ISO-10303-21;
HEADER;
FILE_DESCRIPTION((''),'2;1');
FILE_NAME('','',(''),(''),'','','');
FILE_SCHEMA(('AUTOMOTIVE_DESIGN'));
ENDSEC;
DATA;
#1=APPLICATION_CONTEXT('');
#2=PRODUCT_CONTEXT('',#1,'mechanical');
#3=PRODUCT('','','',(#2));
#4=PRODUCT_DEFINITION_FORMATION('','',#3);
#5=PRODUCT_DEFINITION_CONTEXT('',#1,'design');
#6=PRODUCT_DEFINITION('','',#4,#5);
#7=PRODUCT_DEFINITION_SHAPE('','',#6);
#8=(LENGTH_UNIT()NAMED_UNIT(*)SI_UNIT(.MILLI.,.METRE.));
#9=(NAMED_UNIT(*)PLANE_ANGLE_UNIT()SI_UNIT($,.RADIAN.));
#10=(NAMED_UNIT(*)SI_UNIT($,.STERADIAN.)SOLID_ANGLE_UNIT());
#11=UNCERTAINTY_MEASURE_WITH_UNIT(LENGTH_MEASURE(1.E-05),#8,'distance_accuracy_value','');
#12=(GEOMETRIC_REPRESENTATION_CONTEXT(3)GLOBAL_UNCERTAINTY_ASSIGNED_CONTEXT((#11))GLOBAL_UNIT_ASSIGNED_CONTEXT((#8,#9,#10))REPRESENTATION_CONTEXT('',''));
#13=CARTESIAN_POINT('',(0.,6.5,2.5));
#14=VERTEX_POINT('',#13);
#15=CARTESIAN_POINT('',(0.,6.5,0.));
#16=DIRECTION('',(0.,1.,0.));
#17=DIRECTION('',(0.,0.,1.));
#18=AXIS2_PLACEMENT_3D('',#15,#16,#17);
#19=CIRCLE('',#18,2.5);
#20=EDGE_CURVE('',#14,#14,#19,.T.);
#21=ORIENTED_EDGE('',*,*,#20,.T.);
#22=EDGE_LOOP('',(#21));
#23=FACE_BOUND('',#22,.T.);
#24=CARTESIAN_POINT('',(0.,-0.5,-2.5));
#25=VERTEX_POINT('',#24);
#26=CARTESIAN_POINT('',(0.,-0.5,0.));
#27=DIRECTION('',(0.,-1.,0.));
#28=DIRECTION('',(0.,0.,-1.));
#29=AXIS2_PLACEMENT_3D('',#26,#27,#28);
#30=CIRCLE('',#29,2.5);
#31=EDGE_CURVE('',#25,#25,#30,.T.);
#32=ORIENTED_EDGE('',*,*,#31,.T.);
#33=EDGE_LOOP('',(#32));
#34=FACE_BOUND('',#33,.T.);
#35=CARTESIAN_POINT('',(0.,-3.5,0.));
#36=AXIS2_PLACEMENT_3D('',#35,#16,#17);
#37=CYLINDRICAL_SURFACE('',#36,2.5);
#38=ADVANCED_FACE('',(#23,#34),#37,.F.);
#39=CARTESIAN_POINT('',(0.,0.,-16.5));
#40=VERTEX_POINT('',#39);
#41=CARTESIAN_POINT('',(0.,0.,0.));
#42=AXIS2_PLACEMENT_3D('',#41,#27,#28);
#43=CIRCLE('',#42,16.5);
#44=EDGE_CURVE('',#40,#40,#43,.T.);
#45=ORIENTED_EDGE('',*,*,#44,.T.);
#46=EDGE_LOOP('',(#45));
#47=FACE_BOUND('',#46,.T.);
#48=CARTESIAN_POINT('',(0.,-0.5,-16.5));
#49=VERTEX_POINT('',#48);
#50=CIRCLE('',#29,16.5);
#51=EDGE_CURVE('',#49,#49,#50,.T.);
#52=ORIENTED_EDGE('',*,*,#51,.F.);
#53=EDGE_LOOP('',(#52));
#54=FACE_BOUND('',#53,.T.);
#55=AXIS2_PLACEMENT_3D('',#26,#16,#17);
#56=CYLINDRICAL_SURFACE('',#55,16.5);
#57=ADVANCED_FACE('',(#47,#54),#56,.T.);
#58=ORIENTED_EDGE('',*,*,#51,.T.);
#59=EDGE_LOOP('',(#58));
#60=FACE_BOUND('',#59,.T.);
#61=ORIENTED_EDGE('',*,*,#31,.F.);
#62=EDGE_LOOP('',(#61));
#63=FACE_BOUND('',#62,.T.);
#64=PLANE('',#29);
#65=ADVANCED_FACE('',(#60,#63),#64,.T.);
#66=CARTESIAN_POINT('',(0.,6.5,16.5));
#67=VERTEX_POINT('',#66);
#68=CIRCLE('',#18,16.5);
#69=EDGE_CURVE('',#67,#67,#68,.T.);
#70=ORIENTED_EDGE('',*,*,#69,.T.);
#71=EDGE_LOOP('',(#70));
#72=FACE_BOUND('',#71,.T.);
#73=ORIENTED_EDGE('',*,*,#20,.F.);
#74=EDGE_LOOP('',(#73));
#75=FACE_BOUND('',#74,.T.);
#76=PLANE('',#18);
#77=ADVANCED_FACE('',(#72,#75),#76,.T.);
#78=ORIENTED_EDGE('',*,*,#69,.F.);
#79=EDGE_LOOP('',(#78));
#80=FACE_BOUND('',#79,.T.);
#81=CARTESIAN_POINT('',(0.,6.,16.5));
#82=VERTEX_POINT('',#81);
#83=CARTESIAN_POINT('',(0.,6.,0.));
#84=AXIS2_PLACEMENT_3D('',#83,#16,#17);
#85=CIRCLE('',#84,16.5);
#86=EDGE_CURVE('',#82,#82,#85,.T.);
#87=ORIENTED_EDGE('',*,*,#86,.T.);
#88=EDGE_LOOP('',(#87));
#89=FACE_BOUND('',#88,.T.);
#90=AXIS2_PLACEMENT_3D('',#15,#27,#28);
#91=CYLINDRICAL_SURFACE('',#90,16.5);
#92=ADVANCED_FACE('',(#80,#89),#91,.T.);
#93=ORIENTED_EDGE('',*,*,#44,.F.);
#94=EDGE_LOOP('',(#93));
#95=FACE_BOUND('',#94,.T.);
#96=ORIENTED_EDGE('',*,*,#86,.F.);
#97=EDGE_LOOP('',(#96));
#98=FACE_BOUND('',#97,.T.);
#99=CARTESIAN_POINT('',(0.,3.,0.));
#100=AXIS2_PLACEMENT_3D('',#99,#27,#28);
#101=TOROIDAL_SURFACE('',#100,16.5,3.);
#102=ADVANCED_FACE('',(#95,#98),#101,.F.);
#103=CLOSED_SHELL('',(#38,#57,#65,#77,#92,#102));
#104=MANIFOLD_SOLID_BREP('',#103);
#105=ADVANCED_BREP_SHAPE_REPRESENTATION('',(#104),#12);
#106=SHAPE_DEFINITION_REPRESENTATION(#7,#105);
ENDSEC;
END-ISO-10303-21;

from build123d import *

# Parameters (mm, degrees)
SKETCH2_R           = 16.5
BOSS_EXTRUDE1_DEPTH = 0.5
BOSS_EXTRUDE2_START = 0.5
SKETCH3_R           = 16.5
BOSS_EXTRUDE2_DEPTH = 0.5
SKETCH4_R           = 1
CUT_EXTRUDE1_DEPTH  = 7
SKETCH5_R           = 2.5
CUT_EXTRUDE2_DEPTH  = 10


with BuildPart() as part:
    # Sketch1 → Revolve1 (revolve)
    with BuildSketch(Plane.XY, mode=Mode.PRIVATE) as revolve1_sk:
        Polygon((0, 6), (0, 0), (13.5, 0), (13.5, 3), (13.5, 6), align=None)
        with BuildLine():
            Line((13.5, 6), (13.5, 3))
            ThreePointArc((13.5, 3), (14.378679656, 5.121320344), (16.5, 6))
            Line((16.5, 6), (13.5, 6))
        make_face()
        with BuildLine():
            Line((13.5, 3), (13.5, 0))
            Line((13.5, 0), (16.5, 0))
            ThreePointArc((16.5, 0), (14.378679656, 0.878679656), (13.5, 3))
        make_face()
    revolve(revolve1_sk.sketch.rotate(Axis((0, 0, 0), (0, 1, 0)), 90), axis=Axis((0, 0, 0), (0, 1, 0)))

    # Sketch2 → Boss-Extrude1 (add)
    with BuildSketch(Plane(origin=(0, 6, 0), x_dir=(1, 0, 0), z_dir=(0, 1, 0))):
        with Locations(Location((0, 0, 0), (0, 0, 270))):
            Circle(SKETCH2_R)
    extrude(amount=BOSS_EXTRUDE1_DEPTH)

    # Sketch3 → Boss-Extrude2 (add)
    with BuildSketch(Plane.XZ.offset(BOSS_EXTRUDE2_START)):
        with Locations(Location((0, 0, 0), (0, 0, 90))):
            Circle(SKETCH3_R)
    extrude(amount=-BOSS_EXTRUDE2_DEPTH)

    # Sketch4 → Cut-Extrude1 (cut)
    with BuildSketch(Plane.XZ.offset(0.5)):
        with Locations(Location((0, 0, 0), (0, 0, 270))):
            Circle(SKETCH4_R)
    extrude(amount=-CUT_EXTRUDE1_DEPTH, mode=Mode.SUBTRACT)

    # Sketch5 → Cut-Extrude2 (cut)
    with BuildSketch(Plane(origin=(0, 6.5, 0), x_dir=(1, 0, 0), z_dir=(0, 1, 0))):
        with Locations(Location((0, 0, 0), (0, 0, 270))):
            Circle(SKETCH5_R)
    extrude(amount=-CUT_EXTRUDE2_DEPTH, mode=Mode.SUBTRACT)


solid = part.part
